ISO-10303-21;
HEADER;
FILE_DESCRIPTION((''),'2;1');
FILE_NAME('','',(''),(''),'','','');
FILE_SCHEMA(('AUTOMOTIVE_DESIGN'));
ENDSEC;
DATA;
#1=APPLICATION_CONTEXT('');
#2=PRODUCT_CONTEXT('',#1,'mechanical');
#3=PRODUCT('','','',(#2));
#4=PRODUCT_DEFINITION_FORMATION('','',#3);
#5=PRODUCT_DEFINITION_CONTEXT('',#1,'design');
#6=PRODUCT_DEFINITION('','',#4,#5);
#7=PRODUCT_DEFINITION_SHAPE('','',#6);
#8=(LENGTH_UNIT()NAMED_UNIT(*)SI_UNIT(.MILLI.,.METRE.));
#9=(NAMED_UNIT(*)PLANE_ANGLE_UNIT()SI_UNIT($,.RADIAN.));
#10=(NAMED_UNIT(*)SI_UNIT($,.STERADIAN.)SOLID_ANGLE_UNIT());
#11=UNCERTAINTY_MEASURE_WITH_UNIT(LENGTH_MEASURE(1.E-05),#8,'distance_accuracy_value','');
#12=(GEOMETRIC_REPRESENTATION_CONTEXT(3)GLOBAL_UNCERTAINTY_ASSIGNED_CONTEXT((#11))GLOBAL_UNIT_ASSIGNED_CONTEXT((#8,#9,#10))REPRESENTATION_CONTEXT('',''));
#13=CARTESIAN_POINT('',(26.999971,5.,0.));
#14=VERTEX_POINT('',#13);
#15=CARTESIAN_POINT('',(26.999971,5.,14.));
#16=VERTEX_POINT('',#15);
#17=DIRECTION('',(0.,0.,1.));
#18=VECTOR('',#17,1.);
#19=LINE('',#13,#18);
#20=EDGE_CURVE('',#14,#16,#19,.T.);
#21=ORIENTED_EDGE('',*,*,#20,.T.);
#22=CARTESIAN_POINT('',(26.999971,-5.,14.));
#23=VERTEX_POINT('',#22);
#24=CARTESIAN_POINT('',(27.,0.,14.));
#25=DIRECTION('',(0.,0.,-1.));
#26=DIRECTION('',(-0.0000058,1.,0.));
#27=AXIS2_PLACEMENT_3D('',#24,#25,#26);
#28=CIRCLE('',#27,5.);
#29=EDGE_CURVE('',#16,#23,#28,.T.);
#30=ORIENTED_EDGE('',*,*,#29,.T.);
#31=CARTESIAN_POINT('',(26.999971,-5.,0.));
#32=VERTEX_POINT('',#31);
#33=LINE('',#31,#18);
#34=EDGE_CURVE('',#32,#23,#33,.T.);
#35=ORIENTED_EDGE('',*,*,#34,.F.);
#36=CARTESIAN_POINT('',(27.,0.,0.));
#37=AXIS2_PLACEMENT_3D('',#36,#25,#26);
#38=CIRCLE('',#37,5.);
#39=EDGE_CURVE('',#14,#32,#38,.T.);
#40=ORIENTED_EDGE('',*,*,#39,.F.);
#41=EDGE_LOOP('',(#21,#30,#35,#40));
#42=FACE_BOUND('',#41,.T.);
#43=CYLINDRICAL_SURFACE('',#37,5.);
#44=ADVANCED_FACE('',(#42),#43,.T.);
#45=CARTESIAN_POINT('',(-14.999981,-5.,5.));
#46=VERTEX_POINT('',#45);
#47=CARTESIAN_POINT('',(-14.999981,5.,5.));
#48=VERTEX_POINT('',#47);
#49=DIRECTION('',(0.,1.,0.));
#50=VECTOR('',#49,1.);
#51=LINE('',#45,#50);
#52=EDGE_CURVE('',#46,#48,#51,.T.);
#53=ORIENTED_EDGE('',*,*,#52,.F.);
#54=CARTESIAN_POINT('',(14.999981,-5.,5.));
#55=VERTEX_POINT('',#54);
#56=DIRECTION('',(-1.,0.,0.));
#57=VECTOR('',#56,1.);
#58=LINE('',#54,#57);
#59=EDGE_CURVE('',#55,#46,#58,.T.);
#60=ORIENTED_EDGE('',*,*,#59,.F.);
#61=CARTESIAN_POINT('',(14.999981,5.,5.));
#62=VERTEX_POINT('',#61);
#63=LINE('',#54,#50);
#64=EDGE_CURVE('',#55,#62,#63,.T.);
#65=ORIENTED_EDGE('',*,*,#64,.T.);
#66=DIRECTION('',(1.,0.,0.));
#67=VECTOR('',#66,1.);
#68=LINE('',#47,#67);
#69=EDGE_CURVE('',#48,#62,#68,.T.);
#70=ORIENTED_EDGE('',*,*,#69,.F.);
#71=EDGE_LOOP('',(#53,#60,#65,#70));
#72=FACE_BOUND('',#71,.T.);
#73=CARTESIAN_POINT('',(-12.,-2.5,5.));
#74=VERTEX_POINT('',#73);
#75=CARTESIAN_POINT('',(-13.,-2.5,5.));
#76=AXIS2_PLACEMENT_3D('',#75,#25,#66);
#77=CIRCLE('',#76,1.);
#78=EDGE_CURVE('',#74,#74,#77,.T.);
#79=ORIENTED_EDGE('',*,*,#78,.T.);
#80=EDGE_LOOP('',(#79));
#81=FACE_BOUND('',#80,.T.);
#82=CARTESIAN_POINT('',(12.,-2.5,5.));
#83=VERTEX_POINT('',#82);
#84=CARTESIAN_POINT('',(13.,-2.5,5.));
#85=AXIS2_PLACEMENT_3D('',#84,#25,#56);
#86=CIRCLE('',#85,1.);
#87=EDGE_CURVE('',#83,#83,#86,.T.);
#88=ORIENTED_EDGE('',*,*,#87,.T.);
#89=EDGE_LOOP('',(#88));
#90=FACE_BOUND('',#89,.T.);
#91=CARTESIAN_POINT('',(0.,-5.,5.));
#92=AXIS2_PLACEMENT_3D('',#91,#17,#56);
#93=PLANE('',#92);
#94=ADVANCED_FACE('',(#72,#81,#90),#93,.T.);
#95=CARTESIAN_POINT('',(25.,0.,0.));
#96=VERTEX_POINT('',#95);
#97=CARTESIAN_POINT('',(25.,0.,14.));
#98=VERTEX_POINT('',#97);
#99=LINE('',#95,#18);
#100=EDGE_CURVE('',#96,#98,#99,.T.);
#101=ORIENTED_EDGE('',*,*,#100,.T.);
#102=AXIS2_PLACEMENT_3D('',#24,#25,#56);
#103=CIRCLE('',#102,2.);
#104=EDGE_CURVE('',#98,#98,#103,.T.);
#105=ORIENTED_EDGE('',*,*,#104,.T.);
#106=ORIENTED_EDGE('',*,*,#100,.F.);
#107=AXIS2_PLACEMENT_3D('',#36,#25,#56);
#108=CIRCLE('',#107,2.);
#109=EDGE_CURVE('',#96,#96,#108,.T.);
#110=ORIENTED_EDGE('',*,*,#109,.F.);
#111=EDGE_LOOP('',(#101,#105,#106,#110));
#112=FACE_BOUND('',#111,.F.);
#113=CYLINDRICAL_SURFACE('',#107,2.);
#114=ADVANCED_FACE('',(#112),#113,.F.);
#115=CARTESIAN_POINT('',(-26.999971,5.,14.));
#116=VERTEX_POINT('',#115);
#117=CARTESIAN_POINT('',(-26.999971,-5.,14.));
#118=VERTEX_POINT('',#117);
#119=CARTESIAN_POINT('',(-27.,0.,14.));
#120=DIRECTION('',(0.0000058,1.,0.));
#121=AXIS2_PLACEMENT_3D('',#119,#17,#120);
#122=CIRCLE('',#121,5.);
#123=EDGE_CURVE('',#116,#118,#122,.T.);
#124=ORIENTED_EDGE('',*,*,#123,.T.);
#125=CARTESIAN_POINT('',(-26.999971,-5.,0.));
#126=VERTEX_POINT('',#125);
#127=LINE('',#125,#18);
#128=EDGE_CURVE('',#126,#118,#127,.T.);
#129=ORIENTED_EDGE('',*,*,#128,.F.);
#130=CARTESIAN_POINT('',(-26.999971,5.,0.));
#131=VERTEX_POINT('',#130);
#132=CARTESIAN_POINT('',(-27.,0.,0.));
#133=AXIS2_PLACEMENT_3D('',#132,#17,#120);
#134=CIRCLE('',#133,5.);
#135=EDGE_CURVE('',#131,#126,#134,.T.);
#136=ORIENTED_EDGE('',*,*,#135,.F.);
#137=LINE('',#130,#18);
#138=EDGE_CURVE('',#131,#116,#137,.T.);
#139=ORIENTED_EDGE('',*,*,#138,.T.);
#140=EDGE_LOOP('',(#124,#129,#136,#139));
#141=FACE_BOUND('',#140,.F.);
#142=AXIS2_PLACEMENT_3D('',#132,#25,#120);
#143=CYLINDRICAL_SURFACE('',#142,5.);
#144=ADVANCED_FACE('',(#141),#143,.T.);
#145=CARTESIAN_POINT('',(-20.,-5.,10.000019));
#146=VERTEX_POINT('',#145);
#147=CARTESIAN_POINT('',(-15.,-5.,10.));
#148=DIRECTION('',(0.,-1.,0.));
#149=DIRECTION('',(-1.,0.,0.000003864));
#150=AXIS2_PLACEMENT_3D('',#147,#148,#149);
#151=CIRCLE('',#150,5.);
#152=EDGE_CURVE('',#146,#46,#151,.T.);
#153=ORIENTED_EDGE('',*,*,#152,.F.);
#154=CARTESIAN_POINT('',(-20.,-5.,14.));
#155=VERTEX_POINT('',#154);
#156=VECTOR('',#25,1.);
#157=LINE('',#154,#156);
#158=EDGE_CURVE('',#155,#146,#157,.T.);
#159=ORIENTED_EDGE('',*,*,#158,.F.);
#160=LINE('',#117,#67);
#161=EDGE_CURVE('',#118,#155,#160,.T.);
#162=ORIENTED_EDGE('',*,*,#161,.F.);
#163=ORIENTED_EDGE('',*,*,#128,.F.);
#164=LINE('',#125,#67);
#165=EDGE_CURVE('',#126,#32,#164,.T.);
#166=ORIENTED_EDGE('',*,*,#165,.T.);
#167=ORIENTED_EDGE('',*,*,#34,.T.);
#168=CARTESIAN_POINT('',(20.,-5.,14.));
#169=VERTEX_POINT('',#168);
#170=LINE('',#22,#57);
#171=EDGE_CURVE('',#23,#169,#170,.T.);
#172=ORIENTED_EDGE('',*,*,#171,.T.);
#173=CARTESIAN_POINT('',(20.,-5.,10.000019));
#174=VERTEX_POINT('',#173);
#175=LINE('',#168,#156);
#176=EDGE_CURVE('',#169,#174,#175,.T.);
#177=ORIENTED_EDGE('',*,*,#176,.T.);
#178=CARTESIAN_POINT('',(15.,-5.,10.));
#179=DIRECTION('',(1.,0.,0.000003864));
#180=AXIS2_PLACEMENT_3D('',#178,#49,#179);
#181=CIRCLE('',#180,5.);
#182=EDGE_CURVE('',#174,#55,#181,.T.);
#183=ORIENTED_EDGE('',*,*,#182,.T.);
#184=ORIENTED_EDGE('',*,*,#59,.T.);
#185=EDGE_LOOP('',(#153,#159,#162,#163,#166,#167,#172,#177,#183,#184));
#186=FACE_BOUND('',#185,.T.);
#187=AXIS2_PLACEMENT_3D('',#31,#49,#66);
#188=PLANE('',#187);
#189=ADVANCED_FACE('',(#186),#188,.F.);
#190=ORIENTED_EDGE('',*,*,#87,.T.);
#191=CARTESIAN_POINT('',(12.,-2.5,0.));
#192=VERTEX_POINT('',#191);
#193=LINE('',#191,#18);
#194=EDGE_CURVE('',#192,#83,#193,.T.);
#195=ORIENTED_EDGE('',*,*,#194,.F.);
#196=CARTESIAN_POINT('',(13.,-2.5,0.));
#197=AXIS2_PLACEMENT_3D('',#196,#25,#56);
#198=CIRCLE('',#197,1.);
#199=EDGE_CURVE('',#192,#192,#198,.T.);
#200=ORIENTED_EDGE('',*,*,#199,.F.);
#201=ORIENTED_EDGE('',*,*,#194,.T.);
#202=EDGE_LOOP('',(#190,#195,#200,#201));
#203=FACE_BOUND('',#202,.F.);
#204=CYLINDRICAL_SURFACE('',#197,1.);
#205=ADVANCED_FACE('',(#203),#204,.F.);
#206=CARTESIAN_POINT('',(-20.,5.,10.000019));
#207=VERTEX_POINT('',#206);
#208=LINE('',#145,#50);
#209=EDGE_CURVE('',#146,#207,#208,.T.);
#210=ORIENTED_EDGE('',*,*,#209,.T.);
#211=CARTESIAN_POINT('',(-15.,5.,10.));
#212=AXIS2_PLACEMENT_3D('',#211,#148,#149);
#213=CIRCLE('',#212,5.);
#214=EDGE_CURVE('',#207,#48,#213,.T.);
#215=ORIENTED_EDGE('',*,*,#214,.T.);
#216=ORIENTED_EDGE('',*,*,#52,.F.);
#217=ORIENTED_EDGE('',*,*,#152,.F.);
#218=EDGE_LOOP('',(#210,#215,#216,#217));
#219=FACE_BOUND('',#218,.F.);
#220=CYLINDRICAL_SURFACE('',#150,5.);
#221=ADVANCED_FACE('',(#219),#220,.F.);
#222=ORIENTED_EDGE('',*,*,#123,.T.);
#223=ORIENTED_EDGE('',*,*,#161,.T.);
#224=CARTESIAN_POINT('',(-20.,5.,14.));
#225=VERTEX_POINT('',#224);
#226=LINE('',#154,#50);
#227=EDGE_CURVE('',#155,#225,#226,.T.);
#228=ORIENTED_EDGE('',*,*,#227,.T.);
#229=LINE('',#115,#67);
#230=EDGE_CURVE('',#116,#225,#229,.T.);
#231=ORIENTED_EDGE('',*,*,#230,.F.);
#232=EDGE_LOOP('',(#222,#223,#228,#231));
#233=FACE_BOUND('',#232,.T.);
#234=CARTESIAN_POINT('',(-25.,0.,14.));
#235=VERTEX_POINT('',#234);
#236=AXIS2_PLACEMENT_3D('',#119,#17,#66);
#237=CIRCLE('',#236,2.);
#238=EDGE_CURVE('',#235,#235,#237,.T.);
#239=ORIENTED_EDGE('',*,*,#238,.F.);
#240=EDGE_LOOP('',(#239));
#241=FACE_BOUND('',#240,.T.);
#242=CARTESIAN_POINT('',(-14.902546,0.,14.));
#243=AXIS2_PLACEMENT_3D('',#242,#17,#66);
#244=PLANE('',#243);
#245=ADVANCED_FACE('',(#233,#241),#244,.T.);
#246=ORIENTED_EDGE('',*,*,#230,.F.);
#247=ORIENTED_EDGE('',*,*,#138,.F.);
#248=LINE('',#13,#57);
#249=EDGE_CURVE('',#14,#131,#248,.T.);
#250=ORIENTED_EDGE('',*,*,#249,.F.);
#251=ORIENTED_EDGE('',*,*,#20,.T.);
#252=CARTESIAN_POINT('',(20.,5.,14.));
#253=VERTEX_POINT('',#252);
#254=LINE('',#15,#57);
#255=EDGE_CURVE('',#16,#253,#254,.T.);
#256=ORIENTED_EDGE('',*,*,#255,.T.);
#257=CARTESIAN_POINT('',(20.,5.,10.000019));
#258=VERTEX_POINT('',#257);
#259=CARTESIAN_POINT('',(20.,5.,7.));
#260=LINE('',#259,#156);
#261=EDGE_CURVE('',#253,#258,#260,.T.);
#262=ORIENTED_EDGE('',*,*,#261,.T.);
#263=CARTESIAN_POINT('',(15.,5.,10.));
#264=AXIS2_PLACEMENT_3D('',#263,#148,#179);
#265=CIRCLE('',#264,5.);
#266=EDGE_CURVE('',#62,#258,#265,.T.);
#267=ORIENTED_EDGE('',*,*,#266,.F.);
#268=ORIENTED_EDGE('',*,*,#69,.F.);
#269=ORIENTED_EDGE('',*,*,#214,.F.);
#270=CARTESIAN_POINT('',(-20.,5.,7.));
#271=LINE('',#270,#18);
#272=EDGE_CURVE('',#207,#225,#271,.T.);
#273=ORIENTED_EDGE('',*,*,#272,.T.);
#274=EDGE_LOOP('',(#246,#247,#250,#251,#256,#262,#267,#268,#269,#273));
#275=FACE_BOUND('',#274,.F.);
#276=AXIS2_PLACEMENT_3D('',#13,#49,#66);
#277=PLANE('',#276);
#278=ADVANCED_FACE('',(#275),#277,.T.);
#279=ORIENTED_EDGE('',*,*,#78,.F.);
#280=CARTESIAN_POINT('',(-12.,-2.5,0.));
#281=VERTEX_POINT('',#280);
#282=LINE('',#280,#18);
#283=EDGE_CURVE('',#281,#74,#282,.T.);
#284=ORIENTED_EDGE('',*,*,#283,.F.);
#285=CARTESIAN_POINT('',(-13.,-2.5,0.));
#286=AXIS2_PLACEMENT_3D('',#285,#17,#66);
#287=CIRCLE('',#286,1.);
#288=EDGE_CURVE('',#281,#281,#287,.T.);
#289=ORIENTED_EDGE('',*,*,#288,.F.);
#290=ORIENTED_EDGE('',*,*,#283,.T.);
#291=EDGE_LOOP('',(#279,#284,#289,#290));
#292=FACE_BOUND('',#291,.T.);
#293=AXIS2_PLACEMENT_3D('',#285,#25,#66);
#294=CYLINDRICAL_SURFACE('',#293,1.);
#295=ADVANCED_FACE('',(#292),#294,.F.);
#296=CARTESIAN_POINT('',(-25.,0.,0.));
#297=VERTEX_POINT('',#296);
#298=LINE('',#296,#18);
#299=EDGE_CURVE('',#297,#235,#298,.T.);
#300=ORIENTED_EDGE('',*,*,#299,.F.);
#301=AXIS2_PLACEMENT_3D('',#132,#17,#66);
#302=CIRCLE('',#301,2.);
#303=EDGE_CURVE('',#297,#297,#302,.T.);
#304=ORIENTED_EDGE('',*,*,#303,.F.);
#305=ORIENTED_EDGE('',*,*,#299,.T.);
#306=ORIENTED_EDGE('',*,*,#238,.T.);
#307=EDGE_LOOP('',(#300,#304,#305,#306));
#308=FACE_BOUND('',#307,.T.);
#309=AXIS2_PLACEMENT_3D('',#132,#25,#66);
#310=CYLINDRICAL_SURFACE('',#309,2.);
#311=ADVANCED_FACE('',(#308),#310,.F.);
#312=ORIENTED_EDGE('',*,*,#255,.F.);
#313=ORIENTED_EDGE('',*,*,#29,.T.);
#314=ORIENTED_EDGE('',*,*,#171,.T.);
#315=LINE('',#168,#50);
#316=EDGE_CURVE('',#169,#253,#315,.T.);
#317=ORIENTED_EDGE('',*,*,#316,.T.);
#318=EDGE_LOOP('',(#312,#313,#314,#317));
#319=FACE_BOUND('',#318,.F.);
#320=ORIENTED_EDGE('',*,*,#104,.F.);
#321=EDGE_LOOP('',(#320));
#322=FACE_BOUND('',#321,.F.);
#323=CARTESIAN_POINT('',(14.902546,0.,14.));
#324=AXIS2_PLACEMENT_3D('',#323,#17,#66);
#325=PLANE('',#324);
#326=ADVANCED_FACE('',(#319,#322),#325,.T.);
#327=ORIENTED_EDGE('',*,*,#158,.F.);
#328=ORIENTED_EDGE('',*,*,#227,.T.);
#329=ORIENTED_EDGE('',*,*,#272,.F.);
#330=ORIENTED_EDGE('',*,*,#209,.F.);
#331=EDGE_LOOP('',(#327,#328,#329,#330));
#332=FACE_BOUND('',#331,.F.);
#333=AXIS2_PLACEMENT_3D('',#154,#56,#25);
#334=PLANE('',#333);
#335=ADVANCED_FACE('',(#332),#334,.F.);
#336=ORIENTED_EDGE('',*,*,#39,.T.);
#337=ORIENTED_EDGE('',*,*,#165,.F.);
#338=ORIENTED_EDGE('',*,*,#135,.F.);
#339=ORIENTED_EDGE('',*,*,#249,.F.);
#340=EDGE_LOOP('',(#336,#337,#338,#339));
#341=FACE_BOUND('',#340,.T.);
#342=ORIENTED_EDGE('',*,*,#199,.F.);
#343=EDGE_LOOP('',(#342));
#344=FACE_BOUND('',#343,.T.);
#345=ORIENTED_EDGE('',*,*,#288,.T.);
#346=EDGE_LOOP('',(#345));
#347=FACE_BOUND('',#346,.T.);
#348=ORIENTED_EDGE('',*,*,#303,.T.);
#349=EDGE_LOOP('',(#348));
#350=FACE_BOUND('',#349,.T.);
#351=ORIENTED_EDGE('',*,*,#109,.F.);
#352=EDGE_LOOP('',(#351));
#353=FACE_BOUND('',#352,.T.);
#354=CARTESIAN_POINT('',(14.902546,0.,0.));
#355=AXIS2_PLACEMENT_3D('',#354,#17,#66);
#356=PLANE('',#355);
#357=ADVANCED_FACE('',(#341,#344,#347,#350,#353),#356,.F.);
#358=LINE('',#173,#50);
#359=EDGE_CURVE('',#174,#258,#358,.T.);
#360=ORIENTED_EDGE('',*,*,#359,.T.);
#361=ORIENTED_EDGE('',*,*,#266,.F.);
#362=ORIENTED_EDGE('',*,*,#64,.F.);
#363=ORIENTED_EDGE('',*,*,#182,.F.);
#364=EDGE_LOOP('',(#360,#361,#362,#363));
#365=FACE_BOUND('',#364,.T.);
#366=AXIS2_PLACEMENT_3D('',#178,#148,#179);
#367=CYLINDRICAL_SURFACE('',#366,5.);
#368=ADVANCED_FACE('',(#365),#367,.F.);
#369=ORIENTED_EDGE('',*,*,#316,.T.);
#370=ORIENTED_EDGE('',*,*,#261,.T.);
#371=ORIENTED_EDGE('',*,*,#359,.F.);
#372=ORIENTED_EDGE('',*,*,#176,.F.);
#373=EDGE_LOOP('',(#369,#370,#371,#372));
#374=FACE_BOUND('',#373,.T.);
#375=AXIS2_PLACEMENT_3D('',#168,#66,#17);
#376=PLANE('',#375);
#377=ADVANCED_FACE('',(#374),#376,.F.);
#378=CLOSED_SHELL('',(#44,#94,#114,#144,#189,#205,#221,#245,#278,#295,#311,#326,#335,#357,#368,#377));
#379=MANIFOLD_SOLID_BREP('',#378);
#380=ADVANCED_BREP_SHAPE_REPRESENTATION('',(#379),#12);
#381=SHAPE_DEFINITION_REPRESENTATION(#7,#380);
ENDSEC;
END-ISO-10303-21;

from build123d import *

# Parameters (mm, degrees)
SKETCH_R     = 2
SKETCH_R_2   = 1
PAD_DEPTH    = 14
POCKET_DEPTH = 82.664608


with BuildPart() as part:
    # Sketch → Pad (new body)
    with BuildSketch(Plane.XY):
        with BuildLine():
            ThreePointArc((-26.999971, 5), (-32, 0), (-26.999971, -5))
            Line((-26.999971, -5), (0, -5))
            Line((0, -5), (0, 5))
            Line((-26.999971, 5), (0, 5))
        make_face()
        with Locations((-27, 0)):
            Circle(SKETCH_R, mode=Mode.SUBTRACT)
        with Locations((-13, -2.5)):
            Circle(SKETCH_R_2, mode=Mode.SUBTRACT)
    pad = extrude(amount=PAD_DEPTH)

    # Sketch001 → Pocket (cut, through all)
    with BuildSketch(Plane.XZ.offset(5)):
        with BuildLine():
            Line((-20, 14), (-20, 10.000019))
            ThreePointArc((-20, 10.000019), (-18.535534, 6.464466), (-14.999981, 5))
            Line((0, 5), (-14.999981, 5))
            Line((0, 14), (0, 5))
            Line((-20, 14), (0, 14))
        make_face()
    pocket = extrude(amount=-POCKET_DEPTH, mode=Mode.SUBTRACT)

    # Mirrored: Pad, Pocket across Sketch001 V_Axis
    add(pad.mirror(Plane(origin=(0, -5, 0), x_dir=(0, -1, 0), z_dir=(1, 0, 0))))
    add(pocket.mirror(Plane(origin=(0, -5, 0), x_dir=(0, -1, 0), z_dir=(1, 0, 0))), mode=Mode.SUBTRACT)


solid = part.part
